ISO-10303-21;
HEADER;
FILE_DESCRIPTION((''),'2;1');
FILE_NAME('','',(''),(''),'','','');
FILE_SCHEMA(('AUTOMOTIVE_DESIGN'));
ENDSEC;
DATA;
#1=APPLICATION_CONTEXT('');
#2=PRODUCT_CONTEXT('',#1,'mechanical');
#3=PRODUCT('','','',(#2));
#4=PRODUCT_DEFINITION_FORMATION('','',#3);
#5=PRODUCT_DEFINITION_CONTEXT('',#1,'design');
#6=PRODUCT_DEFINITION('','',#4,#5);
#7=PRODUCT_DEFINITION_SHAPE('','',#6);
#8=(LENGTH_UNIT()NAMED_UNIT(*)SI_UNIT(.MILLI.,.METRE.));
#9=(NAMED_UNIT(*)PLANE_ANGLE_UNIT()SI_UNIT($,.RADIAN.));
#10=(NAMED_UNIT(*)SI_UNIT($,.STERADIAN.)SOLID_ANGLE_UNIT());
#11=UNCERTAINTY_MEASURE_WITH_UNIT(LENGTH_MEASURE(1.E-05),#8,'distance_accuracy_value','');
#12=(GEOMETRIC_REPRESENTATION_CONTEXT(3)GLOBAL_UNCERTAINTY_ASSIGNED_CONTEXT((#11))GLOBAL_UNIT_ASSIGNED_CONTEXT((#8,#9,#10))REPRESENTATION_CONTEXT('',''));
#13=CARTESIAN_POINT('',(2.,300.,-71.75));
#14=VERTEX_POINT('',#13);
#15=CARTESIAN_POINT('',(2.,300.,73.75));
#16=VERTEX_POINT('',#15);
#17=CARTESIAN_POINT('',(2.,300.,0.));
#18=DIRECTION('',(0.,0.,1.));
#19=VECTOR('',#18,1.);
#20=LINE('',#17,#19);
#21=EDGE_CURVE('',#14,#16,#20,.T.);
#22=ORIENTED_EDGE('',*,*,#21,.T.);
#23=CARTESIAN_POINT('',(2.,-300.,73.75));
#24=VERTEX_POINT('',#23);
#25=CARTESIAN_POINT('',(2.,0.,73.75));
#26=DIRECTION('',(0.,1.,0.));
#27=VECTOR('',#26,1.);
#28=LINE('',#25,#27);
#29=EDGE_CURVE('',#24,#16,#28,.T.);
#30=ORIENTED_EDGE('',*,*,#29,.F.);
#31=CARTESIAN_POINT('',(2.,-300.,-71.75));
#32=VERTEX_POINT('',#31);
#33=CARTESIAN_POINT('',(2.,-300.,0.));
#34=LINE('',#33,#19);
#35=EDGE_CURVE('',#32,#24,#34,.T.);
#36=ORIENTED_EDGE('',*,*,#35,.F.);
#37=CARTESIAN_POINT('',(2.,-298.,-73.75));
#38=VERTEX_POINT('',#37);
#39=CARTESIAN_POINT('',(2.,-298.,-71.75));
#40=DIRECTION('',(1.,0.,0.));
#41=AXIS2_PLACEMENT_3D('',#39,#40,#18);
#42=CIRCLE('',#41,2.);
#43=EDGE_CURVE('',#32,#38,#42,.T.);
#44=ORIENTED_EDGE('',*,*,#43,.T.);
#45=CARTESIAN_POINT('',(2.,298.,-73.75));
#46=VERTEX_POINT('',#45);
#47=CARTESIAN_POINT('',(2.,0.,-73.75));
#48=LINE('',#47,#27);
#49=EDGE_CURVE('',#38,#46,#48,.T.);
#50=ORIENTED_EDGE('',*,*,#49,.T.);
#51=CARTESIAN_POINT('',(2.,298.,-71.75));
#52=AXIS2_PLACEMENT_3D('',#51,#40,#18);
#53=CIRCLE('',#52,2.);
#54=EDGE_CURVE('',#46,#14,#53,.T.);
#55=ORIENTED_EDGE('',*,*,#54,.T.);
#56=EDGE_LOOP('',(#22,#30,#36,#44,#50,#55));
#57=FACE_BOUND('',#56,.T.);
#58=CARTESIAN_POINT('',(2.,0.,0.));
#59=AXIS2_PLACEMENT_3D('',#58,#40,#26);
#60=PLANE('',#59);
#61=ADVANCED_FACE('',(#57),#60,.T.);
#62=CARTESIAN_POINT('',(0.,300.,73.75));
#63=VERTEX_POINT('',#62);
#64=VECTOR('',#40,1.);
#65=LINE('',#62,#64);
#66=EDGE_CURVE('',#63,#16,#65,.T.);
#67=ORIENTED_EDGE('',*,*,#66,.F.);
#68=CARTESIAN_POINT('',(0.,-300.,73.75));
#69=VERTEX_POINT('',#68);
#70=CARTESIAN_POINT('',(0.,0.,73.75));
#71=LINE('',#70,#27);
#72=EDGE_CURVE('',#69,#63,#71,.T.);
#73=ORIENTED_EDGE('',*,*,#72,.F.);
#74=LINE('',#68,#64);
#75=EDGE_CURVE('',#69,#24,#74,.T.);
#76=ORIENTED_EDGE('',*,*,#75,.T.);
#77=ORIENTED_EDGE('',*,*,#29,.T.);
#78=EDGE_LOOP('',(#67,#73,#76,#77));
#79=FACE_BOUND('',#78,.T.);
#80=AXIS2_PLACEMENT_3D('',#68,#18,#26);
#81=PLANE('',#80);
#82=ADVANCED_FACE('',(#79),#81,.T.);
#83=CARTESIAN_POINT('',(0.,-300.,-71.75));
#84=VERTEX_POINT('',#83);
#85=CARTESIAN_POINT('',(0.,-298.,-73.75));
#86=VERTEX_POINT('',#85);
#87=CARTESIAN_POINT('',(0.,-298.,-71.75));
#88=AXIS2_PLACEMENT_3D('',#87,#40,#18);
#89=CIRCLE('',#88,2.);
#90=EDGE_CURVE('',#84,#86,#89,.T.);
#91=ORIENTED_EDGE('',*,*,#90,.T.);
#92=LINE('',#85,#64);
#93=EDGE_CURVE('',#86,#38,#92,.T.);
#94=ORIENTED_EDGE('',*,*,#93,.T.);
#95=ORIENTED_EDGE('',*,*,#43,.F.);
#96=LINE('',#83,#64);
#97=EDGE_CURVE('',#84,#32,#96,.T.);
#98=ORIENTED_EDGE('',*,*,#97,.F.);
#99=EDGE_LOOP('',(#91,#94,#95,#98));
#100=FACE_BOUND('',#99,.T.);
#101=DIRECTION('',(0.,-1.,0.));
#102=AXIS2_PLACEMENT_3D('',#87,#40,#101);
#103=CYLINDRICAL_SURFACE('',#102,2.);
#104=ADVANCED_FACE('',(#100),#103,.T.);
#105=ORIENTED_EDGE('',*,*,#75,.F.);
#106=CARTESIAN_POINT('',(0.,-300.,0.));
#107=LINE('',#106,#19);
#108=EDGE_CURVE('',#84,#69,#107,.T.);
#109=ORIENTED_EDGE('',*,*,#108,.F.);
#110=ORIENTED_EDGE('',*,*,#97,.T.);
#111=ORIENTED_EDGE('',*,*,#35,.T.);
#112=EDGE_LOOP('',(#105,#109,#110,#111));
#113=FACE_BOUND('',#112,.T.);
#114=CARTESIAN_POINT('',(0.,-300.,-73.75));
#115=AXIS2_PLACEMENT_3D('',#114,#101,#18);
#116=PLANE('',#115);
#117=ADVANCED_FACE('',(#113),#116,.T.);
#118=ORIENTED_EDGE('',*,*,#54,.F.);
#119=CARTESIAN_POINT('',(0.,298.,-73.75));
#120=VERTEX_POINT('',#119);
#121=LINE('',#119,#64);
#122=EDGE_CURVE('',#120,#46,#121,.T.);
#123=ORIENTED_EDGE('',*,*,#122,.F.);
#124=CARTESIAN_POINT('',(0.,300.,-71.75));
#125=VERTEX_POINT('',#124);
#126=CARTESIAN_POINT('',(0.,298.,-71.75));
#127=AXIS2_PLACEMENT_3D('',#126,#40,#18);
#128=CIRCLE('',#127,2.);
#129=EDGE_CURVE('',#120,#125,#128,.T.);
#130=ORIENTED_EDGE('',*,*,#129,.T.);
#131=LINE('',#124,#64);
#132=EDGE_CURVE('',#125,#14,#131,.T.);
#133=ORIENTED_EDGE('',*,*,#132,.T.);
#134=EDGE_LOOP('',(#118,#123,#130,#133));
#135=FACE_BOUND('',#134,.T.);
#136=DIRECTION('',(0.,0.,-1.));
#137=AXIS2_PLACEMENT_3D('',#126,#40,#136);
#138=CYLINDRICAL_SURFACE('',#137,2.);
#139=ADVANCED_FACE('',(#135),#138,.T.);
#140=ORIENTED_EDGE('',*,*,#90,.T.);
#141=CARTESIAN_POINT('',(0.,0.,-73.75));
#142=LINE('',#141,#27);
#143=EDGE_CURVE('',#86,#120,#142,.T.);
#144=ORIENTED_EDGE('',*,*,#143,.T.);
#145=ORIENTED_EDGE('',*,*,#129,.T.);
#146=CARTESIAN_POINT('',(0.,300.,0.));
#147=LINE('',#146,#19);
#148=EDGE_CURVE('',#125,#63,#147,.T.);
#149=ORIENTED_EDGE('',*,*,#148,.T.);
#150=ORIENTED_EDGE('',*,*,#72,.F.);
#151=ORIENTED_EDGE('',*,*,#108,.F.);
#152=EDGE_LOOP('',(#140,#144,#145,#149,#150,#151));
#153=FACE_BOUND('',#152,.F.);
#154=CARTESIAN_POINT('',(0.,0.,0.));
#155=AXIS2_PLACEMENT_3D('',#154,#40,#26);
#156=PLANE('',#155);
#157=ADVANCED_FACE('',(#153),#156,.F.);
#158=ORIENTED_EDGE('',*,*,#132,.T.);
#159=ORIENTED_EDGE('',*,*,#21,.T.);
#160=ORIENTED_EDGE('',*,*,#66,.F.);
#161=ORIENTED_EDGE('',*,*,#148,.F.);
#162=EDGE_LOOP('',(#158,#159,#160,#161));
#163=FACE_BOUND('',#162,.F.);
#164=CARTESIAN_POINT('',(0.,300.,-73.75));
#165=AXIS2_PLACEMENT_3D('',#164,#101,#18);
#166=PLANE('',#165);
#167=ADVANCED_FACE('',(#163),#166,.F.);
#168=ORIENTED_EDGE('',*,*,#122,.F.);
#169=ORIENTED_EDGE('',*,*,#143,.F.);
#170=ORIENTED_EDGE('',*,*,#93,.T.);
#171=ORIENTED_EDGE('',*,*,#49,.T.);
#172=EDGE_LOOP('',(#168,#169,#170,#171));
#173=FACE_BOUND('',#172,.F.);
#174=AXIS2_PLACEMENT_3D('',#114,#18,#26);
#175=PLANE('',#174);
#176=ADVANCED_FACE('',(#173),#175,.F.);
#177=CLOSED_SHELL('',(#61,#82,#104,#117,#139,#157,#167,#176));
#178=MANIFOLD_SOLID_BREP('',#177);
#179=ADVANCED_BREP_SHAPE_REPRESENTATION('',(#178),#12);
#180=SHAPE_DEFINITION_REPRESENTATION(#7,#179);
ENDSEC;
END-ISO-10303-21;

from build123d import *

# Parameters (mm, degrees)
F0_W     = 600
F0_H     = 147.5
F1_DEPTH = 2
F2_R     = 2


with BuildPart() as f1:
    # F0 (on Right) → F1 (new body)
    with BuildSketch(Plane.YZ):
        Rectangle(F0_W, F0_H)
    extrude(amount=F1_DEPTH)

    # F2
    f2_edges = [f1.edges().sort_by_distance(p)[0] for p in [
        (1, -300, -73.75),
        (1, 300, -73.75),
    ]]
    fillet(f2_edges, radius=F2_R)


solid = f1.part
